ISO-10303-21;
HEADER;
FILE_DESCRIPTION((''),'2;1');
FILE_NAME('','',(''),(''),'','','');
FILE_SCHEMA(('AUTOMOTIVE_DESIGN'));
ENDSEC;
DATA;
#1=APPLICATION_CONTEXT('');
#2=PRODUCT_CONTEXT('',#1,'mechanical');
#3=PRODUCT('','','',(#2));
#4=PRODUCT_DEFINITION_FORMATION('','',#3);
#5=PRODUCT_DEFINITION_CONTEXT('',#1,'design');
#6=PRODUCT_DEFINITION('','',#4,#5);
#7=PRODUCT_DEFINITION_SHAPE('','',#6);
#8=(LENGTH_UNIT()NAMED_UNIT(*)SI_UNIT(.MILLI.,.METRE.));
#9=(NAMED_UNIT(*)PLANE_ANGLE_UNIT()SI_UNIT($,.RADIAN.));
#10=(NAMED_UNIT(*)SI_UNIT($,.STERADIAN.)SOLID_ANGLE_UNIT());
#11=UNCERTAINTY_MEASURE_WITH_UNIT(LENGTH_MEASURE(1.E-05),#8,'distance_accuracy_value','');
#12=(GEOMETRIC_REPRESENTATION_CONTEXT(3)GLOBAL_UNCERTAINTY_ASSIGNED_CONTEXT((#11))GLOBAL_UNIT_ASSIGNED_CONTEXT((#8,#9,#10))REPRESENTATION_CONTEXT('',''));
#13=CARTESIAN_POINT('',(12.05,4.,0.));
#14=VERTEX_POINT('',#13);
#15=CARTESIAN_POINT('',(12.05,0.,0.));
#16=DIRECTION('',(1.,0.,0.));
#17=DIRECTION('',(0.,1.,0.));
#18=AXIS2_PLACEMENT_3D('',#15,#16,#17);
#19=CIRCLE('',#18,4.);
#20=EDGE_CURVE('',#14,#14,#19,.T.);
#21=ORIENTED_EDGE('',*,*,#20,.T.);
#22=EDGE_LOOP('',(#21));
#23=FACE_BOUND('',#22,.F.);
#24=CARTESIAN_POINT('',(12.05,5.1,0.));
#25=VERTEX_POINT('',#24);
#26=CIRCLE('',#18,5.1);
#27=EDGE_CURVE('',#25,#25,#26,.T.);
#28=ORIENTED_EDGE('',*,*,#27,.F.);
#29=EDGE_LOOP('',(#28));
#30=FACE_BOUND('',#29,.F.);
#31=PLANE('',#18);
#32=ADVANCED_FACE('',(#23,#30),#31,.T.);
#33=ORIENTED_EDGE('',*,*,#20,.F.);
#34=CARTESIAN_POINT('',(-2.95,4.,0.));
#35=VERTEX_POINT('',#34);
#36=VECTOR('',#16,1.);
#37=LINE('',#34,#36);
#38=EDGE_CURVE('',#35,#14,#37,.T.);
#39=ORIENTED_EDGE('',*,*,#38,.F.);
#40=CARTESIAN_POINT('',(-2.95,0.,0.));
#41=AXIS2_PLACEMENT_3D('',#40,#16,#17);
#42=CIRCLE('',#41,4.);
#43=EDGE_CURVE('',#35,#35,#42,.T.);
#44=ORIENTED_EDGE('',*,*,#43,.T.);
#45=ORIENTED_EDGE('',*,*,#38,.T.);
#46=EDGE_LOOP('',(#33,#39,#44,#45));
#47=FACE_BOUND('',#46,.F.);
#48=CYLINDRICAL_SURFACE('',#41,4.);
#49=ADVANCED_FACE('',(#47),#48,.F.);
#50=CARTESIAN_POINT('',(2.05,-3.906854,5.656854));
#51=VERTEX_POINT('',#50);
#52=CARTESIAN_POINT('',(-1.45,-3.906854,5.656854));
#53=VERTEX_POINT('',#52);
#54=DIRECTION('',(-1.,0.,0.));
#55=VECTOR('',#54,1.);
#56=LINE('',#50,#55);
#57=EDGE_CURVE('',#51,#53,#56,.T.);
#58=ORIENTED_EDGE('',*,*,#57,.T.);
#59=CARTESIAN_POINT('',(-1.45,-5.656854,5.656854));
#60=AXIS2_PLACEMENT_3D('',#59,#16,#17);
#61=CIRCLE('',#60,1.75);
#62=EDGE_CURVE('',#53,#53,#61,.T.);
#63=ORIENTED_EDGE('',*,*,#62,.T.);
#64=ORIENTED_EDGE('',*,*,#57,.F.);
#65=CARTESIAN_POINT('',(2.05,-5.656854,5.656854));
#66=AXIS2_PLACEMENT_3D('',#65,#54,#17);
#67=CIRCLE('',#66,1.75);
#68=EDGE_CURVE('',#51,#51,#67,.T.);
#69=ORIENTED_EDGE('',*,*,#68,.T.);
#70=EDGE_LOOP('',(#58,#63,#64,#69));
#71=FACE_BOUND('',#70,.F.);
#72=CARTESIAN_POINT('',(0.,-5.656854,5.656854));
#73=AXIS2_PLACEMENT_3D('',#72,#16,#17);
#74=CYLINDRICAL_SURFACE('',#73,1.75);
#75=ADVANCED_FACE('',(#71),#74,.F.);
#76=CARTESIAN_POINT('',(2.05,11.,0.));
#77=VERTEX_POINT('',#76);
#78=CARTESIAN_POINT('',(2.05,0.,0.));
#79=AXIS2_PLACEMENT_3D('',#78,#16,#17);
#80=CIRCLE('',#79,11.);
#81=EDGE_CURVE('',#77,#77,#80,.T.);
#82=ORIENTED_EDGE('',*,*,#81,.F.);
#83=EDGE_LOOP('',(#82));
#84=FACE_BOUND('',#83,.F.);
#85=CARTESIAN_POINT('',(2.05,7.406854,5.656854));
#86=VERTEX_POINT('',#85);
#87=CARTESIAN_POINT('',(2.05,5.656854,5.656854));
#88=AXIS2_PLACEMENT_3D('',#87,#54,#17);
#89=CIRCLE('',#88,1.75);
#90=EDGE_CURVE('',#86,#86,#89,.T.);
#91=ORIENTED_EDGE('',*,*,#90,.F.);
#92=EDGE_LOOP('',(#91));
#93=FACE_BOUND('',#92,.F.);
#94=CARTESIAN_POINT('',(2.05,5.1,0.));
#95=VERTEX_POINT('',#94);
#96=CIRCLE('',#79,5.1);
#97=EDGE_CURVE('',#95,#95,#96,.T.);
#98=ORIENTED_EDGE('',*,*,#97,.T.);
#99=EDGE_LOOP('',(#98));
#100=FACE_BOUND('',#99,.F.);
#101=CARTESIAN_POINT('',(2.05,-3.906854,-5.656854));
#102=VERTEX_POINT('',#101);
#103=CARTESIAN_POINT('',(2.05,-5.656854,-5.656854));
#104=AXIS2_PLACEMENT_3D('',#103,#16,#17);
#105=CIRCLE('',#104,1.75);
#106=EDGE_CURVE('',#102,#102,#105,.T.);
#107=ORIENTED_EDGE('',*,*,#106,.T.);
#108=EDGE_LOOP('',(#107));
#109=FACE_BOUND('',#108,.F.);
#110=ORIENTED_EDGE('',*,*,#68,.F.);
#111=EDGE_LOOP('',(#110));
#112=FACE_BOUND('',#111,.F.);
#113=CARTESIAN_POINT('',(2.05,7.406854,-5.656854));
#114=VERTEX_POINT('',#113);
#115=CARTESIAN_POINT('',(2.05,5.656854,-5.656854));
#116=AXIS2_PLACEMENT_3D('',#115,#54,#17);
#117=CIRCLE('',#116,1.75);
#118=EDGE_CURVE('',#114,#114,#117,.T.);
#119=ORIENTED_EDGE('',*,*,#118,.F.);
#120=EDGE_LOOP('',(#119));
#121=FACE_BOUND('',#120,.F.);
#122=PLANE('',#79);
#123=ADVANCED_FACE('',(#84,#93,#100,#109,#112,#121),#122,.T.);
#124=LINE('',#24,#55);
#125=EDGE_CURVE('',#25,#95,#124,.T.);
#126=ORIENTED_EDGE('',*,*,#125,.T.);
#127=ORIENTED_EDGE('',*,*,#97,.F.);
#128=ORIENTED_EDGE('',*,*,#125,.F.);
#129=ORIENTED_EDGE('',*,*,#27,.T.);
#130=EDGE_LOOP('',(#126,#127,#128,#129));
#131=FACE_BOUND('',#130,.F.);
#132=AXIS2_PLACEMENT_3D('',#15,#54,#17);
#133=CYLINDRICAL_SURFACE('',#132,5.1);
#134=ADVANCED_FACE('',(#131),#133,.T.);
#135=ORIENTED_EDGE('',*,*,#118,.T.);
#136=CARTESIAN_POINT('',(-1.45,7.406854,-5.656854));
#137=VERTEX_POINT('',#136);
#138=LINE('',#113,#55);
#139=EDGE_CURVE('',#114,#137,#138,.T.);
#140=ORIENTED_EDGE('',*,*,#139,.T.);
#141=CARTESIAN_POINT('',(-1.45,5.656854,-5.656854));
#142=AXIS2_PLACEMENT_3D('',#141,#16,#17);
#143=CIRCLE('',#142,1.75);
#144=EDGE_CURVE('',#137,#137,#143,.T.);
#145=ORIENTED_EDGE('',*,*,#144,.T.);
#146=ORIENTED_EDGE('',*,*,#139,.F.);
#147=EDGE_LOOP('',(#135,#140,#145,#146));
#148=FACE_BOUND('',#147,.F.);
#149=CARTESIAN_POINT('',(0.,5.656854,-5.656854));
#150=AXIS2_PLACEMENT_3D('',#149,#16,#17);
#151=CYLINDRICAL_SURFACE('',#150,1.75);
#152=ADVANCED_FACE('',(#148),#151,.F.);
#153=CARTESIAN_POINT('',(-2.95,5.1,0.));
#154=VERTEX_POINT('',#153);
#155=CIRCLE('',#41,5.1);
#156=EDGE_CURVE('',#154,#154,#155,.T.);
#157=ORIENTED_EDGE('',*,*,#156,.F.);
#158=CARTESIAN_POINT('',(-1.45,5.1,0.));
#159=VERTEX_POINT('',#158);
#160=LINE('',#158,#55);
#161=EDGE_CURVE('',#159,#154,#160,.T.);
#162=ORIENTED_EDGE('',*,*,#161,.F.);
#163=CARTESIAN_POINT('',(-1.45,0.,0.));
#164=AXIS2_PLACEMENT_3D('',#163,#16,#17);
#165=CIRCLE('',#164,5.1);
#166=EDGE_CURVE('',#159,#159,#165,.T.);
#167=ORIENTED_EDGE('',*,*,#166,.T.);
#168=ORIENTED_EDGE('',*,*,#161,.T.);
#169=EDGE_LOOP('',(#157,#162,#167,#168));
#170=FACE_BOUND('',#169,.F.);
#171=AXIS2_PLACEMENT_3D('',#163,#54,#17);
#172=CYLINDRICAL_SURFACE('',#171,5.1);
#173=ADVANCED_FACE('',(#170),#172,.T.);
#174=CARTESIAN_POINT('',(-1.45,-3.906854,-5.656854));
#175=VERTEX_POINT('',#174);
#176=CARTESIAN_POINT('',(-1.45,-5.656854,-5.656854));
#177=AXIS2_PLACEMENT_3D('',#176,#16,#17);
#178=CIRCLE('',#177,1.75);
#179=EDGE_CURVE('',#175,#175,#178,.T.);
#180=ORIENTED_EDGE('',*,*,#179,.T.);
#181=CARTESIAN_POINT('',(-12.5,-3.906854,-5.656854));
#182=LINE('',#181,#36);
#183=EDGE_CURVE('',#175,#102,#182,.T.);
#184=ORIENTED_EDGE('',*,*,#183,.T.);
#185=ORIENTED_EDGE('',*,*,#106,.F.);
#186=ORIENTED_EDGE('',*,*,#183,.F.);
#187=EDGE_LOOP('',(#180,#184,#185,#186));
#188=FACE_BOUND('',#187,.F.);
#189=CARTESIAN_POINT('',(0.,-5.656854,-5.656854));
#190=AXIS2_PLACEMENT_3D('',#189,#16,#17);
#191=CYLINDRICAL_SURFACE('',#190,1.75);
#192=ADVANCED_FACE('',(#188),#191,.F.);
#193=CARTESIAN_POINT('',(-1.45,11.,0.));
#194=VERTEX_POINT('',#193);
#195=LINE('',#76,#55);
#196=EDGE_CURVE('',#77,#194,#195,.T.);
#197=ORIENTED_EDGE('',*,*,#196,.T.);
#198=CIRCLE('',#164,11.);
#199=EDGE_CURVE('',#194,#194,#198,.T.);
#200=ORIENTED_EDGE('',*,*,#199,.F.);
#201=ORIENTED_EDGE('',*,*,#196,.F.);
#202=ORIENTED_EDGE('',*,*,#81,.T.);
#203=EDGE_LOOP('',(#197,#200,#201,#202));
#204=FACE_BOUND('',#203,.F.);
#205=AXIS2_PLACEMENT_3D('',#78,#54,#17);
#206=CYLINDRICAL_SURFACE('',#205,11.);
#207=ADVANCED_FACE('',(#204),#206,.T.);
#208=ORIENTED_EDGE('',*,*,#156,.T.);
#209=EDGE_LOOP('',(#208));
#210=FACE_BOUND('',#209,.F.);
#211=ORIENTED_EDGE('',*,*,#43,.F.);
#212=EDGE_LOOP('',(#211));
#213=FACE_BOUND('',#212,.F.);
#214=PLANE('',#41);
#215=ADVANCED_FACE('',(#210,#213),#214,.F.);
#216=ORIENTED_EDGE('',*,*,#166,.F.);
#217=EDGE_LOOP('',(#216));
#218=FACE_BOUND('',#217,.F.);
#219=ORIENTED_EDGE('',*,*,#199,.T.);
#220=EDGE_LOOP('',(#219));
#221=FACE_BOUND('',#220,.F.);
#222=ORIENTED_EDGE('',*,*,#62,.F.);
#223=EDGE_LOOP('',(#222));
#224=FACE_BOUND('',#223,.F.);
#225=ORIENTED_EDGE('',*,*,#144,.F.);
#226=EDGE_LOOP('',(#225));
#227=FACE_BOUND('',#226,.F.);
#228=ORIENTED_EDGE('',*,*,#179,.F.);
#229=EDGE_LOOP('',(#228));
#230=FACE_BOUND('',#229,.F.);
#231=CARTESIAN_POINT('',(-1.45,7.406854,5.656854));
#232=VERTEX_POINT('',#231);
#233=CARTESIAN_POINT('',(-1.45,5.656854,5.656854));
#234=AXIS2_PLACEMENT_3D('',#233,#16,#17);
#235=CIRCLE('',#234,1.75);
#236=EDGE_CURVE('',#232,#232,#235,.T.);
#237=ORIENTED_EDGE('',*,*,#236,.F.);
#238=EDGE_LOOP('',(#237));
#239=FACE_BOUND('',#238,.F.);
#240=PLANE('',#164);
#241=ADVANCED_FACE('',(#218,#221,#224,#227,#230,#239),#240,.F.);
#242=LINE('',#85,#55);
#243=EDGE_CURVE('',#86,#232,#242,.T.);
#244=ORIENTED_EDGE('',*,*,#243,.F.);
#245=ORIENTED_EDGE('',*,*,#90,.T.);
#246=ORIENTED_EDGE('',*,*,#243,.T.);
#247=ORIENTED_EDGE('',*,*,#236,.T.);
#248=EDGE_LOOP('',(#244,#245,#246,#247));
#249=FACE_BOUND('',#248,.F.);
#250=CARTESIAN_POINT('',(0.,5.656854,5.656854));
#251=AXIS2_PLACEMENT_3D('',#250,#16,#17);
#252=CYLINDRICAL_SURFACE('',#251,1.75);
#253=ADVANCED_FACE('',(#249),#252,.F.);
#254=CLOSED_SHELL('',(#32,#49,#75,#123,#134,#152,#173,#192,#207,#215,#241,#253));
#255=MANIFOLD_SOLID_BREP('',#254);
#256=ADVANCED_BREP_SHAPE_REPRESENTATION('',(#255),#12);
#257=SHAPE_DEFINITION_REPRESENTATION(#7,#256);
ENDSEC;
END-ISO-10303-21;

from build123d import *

# Parameters (mm, degrees)
F2_R     = 1.75
F3_DEPTH = 12.5


with BuildPart() as f1:
    # F0 (on Top) → F1 (revolve)
    with BuildSketch(Plane.XY):
        Polygon((-2.95, 5.1), (-2.95, 4), (12.05, 4), (12.05, 5.1), (2.05, 5.1), (2.05, 11), (-1.45, 11), (-1.45, 5.1), align=None)
    revolve(axis=Axis((4.55, 0, 0), (1, 0, 0)))

    # F2 (on Right) → F3 (cut, symmetric)
    with BuildSketch(Plane.YZ):
        with Locations((-5.656854, 5.656854)):
            Circle(F2_R)
        with Locations((5.656854, 5.656854)):
            Circle(F2_R)
        with Locations((5.656854, -5.656854)):
            Circle(F2_R)
        with Locations((-5.656854, -5.656854)):
            Circle(F2_R)
    extrude(amount=F3_DEPTH, both=True, mode=Mode.SUBTRACT)


solid = f1.part
